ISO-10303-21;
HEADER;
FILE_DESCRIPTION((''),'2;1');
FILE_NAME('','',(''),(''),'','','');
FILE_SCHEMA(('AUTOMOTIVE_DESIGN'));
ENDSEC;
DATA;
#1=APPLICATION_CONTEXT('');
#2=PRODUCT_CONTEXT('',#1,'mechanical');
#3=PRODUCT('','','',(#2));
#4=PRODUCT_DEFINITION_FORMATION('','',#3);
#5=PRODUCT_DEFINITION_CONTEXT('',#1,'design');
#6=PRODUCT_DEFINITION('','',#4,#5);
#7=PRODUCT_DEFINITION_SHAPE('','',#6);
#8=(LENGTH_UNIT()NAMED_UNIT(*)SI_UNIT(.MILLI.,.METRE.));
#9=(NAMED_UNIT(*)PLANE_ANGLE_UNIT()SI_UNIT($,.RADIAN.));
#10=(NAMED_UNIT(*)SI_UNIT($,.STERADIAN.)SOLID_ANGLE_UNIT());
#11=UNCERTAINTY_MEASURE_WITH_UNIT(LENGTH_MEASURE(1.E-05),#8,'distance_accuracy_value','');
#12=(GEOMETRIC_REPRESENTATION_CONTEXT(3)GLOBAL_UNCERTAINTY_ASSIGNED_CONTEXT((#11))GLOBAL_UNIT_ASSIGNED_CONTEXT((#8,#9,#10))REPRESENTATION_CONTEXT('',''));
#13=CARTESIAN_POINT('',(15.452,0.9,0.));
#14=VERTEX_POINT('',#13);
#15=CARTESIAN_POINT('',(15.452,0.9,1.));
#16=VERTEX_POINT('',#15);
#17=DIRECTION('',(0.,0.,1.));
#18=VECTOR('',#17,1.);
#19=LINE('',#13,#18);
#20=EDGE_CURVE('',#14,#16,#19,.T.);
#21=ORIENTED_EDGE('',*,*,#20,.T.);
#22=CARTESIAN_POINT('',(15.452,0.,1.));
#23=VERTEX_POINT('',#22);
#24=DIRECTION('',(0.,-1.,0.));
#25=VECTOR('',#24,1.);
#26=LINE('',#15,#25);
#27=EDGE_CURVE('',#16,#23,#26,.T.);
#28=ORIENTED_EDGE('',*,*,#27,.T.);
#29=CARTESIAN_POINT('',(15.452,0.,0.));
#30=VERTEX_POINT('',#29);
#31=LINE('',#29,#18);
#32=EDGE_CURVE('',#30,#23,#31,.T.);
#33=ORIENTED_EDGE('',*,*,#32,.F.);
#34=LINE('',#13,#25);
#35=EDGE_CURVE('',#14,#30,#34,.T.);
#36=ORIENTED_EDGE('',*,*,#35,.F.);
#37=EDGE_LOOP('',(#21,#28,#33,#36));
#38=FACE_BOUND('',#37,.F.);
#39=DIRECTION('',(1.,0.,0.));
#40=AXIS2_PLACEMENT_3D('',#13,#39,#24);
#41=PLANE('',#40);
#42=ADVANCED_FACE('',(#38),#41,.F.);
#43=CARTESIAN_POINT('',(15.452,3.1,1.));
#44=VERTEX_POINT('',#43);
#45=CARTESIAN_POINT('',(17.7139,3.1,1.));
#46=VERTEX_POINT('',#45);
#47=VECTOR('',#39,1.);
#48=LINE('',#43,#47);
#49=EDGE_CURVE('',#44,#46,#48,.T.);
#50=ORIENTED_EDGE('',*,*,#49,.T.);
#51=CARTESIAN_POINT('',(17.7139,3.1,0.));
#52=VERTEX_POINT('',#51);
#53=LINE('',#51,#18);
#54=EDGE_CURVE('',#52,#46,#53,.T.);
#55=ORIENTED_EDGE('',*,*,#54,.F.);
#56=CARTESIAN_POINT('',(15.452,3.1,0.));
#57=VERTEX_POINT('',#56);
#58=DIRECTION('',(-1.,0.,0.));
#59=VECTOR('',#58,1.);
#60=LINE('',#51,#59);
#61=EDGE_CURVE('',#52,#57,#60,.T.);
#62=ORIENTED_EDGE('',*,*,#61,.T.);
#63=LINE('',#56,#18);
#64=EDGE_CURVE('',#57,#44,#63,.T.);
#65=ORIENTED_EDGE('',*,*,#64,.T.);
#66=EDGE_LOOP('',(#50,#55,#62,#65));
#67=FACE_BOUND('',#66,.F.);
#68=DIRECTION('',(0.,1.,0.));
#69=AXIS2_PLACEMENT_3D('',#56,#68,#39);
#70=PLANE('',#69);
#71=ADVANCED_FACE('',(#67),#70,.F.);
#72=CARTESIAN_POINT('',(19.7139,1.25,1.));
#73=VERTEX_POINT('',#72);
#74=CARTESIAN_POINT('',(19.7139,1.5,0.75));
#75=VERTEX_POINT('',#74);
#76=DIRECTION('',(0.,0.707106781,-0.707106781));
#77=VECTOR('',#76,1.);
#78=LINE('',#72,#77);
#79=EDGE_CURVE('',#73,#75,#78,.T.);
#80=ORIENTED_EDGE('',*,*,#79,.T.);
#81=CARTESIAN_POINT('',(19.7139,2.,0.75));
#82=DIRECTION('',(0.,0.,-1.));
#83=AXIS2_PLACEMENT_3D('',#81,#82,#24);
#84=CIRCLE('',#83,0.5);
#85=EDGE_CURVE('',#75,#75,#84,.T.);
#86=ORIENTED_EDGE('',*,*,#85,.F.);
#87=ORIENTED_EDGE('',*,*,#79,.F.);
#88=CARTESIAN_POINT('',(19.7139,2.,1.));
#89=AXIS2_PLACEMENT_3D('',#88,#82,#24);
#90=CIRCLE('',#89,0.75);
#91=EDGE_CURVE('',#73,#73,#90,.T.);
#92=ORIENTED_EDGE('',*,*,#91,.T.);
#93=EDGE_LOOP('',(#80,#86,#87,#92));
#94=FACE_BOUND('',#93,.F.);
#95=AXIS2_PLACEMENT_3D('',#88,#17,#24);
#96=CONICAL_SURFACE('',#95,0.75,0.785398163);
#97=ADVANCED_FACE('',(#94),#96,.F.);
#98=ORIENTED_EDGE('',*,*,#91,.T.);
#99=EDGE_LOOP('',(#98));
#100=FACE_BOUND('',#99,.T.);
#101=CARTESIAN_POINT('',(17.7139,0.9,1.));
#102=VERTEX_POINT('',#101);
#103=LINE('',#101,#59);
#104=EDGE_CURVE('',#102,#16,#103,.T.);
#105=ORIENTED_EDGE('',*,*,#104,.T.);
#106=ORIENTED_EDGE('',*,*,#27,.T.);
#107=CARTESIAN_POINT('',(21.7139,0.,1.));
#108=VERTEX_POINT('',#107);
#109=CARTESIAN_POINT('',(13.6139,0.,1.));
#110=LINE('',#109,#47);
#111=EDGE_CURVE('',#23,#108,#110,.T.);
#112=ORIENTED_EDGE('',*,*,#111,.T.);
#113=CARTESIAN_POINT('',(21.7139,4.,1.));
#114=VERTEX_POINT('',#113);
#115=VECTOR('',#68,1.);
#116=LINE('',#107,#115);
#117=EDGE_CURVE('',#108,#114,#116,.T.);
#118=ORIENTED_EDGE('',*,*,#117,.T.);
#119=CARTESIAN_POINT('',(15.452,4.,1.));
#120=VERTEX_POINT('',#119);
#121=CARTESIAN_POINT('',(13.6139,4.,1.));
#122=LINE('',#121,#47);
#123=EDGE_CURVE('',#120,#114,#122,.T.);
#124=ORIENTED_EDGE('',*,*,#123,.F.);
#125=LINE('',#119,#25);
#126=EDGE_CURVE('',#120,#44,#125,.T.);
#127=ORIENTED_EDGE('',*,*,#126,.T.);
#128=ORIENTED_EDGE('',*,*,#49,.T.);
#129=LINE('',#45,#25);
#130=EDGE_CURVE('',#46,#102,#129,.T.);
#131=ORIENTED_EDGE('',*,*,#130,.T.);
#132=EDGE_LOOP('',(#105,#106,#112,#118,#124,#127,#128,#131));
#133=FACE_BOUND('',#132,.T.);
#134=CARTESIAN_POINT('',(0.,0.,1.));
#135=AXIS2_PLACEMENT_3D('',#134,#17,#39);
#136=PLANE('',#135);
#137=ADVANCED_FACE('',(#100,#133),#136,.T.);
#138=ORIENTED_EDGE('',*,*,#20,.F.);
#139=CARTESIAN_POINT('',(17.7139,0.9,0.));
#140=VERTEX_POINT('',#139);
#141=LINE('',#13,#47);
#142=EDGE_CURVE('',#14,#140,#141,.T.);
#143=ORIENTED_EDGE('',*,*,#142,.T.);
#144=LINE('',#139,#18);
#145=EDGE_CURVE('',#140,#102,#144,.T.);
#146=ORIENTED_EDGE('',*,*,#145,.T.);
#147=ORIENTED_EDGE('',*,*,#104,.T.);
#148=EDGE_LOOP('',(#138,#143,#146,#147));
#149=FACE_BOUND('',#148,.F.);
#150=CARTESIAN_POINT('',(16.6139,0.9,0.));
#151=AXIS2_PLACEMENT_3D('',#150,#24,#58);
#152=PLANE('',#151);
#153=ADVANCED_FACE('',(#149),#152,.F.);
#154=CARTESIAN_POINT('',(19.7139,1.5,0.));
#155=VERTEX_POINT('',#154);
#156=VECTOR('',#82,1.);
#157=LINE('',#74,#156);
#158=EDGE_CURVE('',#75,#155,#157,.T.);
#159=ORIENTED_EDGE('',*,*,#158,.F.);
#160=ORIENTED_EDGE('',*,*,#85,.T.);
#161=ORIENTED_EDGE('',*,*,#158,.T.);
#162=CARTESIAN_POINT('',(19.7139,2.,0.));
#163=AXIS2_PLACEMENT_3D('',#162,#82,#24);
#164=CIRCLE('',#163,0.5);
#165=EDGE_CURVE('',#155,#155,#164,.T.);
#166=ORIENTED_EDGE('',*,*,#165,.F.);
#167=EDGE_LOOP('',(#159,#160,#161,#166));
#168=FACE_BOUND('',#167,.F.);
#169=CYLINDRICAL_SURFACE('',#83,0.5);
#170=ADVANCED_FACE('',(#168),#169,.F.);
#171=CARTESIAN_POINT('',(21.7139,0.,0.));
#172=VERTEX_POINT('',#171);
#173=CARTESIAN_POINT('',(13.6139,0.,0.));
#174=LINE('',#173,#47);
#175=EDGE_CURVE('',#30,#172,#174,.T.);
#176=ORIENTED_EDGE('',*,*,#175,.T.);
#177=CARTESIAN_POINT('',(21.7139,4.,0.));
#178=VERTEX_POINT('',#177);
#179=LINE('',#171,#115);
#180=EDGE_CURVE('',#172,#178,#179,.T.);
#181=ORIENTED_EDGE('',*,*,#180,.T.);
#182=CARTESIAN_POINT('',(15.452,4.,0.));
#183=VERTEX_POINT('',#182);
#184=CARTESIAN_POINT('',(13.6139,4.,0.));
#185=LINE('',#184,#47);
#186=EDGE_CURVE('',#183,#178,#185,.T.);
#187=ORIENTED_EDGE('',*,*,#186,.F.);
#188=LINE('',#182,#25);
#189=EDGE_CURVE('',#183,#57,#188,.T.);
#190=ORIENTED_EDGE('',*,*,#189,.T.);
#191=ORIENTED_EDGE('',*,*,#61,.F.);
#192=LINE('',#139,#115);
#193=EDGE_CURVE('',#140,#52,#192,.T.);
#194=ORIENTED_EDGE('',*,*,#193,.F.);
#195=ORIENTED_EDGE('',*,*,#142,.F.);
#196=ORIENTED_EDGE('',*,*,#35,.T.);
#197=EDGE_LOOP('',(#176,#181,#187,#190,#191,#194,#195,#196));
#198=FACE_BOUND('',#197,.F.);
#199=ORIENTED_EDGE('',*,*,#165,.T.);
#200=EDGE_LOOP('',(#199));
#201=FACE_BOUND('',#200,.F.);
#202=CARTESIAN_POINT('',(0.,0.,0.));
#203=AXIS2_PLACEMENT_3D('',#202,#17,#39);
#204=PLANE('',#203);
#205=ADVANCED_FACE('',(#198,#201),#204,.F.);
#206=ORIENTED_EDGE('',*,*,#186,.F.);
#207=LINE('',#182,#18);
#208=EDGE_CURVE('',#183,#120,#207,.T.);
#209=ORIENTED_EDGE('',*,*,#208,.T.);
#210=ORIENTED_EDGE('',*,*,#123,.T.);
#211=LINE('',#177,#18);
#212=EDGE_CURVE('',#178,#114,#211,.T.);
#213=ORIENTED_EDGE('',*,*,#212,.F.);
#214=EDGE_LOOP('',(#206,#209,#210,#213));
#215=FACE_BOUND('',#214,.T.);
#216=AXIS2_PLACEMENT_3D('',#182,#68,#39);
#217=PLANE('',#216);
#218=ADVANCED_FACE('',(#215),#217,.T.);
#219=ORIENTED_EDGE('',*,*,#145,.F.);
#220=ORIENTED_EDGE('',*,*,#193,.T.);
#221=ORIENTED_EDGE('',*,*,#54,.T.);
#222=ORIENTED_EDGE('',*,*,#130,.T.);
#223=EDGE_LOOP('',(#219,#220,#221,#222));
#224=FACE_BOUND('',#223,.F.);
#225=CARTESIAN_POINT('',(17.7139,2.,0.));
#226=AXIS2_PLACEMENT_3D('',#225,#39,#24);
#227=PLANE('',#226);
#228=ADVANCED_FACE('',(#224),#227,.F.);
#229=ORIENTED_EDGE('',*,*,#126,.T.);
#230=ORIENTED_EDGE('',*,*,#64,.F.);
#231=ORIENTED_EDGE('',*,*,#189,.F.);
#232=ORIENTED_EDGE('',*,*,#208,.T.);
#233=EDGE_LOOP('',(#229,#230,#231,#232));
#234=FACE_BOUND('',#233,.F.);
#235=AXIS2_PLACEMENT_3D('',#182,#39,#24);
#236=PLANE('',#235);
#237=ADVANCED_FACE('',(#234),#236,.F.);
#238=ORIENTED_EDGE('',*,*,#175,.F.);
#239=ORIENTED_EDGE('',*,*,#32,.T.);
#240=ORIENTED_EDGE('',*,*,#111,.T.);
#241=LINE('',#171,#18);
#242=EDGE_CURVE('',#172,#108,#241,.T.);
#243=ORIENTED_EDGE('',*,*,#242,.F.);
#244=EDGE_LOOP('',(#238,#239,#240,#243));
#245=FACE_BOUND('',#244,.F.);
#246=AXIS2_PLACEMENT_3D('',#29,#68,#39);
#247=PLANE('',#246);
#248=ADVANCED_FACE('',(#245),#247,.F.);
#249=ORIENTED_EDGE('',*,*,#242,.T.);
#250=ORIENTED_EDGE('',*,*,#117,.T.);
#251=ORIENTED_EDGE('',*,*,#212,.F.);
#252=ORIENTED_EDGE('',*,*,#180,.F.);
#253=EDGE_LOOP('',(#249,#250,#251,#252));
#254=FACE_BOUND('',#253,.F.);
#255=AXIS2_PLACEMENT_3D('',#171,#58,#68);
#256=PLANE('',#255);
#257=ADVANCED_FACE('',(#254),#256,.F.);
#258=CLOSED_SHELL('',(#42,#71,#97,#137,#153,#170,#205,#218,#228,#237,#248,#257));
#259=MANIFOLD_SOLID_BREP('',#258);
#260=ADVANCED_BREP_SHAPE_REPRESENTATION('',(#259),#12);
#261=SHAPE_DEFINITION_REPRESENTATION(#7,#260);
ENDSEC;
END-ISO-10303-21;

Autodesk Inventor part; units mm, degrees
ref_plane "YZ Plane" through (0, 0, 0) normal (1, 0, 0) x (0, 1, 0)
ref_plane "XZ Plane" through (0, 0, 0) normal (0, 1, 0) x (-1, 0, 0)
ref_plane "XY Plane" through (0, 0, 0) normal (0, 0, 1) x (1, 0, 0)
sketch "Skizze1" plane through (0, 0, 0) normal (0, 0, 1) x (1, 0, 0)
  line L0 (13.6139, 4) -> (13.6139, 0) projected
  line L1 (13.6139, 0) -> (30.3639, 0) projected
  line L2 (30.3639, 0) -> (30.3639, 4) projected
  line L3 (13.6139, 4) -> (30.3639, 4) projected
  circle A0 centre (16.6139, 2) radius 1.6 projected
  circle A1 centre (16.6139, 2) radius 1.1 projected
  line L4 (21.7139, 0) -> (21.7139, 4)
  line L5 (15.452, 4) -> (15.452, 3.1)
  line L6 (15.452, 3.1) -> (17.7139, 3.1)
  line L7 (17.7139, 3.1) -> (17.7139, 0.9)
  line L8 (17.7139, 0.9) -> (15.452, 0.9)
  line L9 (15.452, 0.9) -> (15.452, 0)
  point P0 (19.7139, 2)
  dimension "d0" = 4
  dimension "d1" = 2
  dimension "d2" = 2
  dimension "d18" = 6.2619
extrude "Extrusion1" add sketch "Skizze1" along normal blind 1 contours L3 L4 L1 L9 A0 L5 | A0 L8 L7 L6
sketch "Skizze3" plane through (0, 0, 1) normal (0, 0, 1) x (1, 0, 0)
  line L0 (21.7139, 4) -> (21.7139, 0) projected
  line L1 (15.452, 4) -> (21.7139, 4) projected
  point P0 (19.7139, 2)
  dimension "d7" = 2
  dimension "d8" = 2
hole "Bohrung1" at (19.7139, 2, 1) direction (0, 0, -1) diameter 1 end through all countersink diameter 1.5 countersink angle 90
properties part number "Gabel02"
